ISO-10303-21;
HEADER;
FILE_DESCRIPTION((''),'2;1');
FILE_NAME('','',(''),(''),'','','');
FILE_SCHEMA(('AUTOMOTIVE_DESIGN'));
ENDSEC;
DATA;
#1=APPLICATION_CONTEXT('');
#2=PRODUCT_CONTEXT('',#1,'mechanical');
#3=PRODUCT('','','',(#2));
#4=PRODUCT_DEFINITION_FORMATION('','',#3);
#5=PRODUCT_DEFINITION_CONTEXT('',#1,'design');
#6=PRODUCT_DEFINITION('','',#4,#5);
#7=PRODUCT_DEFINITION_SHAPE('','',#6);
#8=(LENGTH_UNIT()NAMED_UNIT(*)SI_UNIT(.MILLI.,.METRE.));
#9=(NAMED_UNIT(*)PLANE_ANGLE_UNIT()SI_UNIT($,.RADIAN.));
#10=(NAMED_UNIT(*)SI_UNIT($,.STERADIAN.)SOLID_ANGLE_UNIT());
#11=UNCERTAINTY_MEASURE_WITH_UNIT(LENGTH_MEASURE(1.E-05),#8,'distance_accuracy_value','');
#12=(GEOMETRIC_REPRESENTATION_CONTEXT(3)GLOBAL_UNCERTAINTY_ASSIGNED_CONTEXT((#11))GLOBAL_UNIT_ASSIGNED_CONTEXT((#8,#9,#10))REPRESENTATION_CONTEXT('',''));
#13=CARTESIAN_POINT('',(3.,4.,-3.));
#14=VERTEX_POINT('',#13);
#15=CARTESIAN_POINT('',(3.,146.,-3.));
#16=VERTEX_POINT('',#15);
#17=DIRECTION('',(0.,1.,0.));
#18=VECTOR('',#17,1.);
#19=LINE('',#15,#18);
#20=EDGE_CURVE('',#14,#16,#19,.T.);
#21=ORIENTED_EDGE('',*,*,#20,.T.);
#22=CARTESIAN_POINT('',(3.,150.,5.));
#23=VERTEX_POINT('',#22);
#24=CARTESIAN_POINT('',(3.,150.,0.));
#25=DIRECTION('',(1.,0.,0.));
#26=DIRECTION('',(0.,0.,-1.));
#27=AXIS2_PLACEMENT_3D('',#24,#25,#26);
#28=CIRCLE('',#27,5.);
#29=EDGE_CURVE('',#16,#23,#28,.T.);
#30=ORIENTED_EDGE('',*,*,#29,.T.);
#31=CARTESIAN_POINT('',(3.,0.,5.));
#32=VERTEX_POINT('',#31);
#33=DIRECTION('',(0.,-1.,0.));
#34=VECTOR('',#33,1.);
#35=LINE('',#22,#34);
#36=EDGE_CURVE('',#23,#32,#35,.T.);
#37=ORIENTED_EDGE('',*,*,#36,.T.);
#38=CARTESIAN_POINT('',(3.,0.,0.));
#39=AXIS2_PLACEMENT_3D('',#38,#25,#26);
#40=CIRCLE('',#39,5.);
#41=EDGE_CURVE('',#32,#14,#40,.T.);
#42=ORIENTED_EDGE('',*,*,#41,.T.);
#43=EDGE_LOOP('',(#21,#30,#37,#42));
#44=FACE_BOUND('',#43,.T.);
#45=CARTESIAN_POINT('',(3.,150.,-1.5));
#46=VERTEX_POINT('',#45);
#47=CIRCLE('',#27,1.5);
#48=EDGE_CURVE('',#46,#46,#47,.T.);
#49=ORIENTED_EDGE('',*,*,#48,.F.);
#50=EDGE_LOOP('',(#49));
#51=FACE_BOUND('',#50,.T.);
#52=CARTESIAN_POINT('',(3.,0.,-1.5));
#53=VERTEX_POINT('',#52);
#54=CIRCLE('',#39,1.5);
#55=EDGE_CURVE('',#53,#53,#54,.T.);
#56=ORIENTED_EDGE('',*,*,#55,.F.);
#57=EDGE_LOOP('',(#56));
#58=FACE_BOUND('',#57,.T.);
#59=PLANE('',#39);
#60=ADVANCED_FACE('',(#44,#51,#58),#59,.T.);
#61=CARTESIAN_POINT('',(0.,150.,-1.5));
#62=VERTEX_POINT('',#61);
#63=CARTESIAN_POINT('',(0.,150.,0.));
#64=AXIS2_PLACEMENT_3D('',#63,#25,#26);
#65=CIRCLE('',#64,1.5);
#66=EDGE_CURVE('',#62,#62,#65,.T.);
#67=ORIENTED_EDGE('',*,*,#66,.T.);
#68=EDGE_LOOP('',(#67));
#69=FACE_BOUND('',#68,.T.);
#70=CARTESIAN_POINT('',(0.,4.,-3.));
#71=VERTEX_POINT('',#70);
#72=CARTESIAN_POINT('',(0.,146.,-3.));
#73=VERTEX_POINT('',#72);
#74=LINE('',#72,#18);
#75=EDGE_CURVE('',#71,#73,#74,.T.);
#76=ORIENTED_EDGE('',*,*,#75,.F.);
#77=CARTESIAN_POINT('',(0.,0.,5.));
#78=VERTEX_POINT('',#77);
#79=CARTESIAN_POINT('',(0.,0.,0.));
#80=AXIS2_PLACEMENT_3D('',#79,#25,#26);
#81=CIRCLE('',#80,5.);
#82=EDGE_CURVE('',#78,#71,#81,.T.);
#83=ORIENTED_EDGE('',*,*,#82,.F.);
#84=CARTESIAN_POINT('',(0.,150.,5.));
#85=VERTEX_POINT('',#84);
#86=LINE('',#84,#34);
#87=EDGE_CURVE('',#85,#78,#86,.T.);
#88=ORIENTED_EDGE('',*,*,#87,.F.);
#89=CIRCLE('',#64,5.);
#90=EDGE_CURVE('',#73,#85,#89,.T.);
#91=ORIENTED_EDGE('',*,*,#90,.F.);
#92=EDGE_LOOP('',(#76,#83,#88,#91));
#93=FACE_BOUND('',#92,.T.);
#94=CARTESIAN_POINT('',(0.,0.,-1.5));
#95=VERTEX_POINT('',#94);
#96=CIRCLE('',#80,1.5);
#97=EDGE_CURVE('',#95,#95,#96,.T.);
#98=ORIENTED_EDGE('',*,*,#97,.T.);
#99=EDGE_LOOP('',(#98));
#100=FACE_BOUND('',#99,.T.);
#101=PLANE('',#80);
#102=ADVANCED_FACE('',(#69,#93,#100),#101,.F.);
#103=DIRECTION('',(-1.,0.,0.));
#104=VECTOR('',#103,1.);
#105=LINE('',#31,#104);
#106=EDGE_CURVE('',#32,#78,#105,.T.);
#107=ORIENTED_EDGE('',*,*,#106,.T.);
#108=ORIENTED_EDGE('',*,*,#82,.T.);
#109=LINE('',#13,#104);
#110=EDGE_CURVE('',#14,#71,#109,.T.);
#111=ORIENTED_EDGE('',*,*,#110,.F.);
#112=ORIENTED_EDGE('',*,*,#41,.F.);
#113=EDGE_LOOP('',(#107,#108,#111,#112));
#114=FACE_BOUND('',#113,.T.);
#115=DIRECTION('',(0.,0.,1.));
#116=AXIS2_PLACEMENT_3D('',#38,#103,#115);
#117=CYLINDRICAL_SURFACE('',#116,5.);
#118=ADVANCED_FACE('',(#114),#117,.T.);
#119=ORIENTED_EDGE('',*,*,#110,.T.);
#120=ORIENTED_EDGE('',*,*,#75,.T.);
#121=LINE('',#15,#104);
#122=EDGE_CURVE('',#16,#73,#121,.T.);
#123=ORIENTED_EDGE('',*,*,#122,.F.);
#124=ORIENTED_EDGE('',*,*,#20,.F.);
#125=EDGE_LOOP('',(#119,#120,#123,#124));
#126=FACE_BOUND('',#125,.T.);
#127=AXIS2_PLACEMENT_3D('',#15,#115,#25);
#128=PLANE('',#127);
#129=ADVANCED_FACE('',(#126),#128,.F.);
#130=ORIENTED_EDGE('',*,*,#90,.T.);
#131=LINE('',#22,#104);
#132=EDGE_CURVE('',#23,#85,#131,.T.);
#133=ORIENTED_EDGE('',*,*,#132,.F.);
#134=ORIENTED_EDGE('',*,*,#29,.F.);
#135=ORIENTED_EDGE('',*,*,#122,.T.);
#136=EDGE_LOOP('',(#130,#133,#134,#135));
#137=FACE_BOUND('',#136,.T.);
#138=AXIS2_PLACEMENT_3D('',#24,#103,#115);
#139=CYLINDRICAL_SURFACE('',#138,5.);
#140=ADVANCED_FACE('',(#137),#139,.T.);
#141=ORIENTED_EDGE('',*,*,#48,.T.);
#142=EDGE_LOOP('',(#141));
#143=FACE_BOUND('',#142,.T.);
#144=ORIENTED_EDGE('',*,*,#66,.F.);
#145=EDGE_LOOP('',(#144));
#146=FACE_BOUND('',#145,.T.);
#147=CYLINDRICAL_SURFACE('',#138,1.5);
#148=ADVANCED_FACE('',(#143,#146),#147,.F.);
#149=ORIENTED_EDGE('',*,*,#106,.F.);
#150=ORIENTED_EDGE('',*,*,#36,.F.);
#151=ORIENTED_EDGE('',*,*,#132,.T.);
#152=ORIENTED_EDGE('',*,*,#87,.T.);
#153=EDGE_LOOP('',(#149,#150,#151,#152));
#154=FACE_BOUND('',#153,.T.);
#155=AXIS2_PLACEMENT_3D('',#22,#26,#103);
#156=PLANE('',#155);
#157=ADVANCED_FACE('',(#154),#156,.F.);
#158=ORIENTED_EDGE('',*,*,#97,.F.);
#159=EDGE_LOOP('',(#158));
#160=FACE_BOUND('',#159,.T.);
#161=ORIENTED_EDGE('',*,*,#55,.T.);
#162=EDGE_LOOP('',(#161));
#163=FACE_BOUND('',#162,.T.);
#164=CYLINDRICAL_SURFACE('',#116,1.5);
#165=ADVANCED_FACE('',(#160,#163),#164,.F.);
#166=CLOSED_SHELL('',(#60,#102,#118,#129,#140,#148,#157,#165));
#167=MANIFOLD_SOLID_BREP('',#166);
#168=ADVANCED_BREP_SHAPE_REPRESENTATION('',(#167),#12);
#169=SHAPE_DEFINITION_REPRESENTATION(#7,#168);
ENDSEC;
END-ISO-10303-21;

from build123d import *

# Parameters (mm, degrees)
CROQUIS1_R              = 1.5
SALIENTE_EXTRUIR2_DEPTH = 3


with BuildPart() as part:
    # Croquis1 → Saliente-Extruir2 (new body)
    with BuildSketch(Plane(origin=(0, 0, 0), x_dir=(0, 0, -1), z_dir=(1, 0, 0))):
        with BuildLine():
            Line((-5, 150), (-5, 0))
            ThreePointArc((-5, 0), (2.236067977, -4.472135955), (3, 4))
            Line((3, 4), (3, 146))
            ThreePointArc((3, 146), (2.236067977, 154.472135955), (-5, 150))
        make_face()
        with Locations((0, 150)):
            Circle(CROQUIS1_R, mode=Mode.SUBTRACT)
        Circle(CROQUIS1_R, mode=Mode.SUBTRACT)
    extrude(amount=SALIENTE_EXTRUIR2_DEPTH)


solid = part.part
